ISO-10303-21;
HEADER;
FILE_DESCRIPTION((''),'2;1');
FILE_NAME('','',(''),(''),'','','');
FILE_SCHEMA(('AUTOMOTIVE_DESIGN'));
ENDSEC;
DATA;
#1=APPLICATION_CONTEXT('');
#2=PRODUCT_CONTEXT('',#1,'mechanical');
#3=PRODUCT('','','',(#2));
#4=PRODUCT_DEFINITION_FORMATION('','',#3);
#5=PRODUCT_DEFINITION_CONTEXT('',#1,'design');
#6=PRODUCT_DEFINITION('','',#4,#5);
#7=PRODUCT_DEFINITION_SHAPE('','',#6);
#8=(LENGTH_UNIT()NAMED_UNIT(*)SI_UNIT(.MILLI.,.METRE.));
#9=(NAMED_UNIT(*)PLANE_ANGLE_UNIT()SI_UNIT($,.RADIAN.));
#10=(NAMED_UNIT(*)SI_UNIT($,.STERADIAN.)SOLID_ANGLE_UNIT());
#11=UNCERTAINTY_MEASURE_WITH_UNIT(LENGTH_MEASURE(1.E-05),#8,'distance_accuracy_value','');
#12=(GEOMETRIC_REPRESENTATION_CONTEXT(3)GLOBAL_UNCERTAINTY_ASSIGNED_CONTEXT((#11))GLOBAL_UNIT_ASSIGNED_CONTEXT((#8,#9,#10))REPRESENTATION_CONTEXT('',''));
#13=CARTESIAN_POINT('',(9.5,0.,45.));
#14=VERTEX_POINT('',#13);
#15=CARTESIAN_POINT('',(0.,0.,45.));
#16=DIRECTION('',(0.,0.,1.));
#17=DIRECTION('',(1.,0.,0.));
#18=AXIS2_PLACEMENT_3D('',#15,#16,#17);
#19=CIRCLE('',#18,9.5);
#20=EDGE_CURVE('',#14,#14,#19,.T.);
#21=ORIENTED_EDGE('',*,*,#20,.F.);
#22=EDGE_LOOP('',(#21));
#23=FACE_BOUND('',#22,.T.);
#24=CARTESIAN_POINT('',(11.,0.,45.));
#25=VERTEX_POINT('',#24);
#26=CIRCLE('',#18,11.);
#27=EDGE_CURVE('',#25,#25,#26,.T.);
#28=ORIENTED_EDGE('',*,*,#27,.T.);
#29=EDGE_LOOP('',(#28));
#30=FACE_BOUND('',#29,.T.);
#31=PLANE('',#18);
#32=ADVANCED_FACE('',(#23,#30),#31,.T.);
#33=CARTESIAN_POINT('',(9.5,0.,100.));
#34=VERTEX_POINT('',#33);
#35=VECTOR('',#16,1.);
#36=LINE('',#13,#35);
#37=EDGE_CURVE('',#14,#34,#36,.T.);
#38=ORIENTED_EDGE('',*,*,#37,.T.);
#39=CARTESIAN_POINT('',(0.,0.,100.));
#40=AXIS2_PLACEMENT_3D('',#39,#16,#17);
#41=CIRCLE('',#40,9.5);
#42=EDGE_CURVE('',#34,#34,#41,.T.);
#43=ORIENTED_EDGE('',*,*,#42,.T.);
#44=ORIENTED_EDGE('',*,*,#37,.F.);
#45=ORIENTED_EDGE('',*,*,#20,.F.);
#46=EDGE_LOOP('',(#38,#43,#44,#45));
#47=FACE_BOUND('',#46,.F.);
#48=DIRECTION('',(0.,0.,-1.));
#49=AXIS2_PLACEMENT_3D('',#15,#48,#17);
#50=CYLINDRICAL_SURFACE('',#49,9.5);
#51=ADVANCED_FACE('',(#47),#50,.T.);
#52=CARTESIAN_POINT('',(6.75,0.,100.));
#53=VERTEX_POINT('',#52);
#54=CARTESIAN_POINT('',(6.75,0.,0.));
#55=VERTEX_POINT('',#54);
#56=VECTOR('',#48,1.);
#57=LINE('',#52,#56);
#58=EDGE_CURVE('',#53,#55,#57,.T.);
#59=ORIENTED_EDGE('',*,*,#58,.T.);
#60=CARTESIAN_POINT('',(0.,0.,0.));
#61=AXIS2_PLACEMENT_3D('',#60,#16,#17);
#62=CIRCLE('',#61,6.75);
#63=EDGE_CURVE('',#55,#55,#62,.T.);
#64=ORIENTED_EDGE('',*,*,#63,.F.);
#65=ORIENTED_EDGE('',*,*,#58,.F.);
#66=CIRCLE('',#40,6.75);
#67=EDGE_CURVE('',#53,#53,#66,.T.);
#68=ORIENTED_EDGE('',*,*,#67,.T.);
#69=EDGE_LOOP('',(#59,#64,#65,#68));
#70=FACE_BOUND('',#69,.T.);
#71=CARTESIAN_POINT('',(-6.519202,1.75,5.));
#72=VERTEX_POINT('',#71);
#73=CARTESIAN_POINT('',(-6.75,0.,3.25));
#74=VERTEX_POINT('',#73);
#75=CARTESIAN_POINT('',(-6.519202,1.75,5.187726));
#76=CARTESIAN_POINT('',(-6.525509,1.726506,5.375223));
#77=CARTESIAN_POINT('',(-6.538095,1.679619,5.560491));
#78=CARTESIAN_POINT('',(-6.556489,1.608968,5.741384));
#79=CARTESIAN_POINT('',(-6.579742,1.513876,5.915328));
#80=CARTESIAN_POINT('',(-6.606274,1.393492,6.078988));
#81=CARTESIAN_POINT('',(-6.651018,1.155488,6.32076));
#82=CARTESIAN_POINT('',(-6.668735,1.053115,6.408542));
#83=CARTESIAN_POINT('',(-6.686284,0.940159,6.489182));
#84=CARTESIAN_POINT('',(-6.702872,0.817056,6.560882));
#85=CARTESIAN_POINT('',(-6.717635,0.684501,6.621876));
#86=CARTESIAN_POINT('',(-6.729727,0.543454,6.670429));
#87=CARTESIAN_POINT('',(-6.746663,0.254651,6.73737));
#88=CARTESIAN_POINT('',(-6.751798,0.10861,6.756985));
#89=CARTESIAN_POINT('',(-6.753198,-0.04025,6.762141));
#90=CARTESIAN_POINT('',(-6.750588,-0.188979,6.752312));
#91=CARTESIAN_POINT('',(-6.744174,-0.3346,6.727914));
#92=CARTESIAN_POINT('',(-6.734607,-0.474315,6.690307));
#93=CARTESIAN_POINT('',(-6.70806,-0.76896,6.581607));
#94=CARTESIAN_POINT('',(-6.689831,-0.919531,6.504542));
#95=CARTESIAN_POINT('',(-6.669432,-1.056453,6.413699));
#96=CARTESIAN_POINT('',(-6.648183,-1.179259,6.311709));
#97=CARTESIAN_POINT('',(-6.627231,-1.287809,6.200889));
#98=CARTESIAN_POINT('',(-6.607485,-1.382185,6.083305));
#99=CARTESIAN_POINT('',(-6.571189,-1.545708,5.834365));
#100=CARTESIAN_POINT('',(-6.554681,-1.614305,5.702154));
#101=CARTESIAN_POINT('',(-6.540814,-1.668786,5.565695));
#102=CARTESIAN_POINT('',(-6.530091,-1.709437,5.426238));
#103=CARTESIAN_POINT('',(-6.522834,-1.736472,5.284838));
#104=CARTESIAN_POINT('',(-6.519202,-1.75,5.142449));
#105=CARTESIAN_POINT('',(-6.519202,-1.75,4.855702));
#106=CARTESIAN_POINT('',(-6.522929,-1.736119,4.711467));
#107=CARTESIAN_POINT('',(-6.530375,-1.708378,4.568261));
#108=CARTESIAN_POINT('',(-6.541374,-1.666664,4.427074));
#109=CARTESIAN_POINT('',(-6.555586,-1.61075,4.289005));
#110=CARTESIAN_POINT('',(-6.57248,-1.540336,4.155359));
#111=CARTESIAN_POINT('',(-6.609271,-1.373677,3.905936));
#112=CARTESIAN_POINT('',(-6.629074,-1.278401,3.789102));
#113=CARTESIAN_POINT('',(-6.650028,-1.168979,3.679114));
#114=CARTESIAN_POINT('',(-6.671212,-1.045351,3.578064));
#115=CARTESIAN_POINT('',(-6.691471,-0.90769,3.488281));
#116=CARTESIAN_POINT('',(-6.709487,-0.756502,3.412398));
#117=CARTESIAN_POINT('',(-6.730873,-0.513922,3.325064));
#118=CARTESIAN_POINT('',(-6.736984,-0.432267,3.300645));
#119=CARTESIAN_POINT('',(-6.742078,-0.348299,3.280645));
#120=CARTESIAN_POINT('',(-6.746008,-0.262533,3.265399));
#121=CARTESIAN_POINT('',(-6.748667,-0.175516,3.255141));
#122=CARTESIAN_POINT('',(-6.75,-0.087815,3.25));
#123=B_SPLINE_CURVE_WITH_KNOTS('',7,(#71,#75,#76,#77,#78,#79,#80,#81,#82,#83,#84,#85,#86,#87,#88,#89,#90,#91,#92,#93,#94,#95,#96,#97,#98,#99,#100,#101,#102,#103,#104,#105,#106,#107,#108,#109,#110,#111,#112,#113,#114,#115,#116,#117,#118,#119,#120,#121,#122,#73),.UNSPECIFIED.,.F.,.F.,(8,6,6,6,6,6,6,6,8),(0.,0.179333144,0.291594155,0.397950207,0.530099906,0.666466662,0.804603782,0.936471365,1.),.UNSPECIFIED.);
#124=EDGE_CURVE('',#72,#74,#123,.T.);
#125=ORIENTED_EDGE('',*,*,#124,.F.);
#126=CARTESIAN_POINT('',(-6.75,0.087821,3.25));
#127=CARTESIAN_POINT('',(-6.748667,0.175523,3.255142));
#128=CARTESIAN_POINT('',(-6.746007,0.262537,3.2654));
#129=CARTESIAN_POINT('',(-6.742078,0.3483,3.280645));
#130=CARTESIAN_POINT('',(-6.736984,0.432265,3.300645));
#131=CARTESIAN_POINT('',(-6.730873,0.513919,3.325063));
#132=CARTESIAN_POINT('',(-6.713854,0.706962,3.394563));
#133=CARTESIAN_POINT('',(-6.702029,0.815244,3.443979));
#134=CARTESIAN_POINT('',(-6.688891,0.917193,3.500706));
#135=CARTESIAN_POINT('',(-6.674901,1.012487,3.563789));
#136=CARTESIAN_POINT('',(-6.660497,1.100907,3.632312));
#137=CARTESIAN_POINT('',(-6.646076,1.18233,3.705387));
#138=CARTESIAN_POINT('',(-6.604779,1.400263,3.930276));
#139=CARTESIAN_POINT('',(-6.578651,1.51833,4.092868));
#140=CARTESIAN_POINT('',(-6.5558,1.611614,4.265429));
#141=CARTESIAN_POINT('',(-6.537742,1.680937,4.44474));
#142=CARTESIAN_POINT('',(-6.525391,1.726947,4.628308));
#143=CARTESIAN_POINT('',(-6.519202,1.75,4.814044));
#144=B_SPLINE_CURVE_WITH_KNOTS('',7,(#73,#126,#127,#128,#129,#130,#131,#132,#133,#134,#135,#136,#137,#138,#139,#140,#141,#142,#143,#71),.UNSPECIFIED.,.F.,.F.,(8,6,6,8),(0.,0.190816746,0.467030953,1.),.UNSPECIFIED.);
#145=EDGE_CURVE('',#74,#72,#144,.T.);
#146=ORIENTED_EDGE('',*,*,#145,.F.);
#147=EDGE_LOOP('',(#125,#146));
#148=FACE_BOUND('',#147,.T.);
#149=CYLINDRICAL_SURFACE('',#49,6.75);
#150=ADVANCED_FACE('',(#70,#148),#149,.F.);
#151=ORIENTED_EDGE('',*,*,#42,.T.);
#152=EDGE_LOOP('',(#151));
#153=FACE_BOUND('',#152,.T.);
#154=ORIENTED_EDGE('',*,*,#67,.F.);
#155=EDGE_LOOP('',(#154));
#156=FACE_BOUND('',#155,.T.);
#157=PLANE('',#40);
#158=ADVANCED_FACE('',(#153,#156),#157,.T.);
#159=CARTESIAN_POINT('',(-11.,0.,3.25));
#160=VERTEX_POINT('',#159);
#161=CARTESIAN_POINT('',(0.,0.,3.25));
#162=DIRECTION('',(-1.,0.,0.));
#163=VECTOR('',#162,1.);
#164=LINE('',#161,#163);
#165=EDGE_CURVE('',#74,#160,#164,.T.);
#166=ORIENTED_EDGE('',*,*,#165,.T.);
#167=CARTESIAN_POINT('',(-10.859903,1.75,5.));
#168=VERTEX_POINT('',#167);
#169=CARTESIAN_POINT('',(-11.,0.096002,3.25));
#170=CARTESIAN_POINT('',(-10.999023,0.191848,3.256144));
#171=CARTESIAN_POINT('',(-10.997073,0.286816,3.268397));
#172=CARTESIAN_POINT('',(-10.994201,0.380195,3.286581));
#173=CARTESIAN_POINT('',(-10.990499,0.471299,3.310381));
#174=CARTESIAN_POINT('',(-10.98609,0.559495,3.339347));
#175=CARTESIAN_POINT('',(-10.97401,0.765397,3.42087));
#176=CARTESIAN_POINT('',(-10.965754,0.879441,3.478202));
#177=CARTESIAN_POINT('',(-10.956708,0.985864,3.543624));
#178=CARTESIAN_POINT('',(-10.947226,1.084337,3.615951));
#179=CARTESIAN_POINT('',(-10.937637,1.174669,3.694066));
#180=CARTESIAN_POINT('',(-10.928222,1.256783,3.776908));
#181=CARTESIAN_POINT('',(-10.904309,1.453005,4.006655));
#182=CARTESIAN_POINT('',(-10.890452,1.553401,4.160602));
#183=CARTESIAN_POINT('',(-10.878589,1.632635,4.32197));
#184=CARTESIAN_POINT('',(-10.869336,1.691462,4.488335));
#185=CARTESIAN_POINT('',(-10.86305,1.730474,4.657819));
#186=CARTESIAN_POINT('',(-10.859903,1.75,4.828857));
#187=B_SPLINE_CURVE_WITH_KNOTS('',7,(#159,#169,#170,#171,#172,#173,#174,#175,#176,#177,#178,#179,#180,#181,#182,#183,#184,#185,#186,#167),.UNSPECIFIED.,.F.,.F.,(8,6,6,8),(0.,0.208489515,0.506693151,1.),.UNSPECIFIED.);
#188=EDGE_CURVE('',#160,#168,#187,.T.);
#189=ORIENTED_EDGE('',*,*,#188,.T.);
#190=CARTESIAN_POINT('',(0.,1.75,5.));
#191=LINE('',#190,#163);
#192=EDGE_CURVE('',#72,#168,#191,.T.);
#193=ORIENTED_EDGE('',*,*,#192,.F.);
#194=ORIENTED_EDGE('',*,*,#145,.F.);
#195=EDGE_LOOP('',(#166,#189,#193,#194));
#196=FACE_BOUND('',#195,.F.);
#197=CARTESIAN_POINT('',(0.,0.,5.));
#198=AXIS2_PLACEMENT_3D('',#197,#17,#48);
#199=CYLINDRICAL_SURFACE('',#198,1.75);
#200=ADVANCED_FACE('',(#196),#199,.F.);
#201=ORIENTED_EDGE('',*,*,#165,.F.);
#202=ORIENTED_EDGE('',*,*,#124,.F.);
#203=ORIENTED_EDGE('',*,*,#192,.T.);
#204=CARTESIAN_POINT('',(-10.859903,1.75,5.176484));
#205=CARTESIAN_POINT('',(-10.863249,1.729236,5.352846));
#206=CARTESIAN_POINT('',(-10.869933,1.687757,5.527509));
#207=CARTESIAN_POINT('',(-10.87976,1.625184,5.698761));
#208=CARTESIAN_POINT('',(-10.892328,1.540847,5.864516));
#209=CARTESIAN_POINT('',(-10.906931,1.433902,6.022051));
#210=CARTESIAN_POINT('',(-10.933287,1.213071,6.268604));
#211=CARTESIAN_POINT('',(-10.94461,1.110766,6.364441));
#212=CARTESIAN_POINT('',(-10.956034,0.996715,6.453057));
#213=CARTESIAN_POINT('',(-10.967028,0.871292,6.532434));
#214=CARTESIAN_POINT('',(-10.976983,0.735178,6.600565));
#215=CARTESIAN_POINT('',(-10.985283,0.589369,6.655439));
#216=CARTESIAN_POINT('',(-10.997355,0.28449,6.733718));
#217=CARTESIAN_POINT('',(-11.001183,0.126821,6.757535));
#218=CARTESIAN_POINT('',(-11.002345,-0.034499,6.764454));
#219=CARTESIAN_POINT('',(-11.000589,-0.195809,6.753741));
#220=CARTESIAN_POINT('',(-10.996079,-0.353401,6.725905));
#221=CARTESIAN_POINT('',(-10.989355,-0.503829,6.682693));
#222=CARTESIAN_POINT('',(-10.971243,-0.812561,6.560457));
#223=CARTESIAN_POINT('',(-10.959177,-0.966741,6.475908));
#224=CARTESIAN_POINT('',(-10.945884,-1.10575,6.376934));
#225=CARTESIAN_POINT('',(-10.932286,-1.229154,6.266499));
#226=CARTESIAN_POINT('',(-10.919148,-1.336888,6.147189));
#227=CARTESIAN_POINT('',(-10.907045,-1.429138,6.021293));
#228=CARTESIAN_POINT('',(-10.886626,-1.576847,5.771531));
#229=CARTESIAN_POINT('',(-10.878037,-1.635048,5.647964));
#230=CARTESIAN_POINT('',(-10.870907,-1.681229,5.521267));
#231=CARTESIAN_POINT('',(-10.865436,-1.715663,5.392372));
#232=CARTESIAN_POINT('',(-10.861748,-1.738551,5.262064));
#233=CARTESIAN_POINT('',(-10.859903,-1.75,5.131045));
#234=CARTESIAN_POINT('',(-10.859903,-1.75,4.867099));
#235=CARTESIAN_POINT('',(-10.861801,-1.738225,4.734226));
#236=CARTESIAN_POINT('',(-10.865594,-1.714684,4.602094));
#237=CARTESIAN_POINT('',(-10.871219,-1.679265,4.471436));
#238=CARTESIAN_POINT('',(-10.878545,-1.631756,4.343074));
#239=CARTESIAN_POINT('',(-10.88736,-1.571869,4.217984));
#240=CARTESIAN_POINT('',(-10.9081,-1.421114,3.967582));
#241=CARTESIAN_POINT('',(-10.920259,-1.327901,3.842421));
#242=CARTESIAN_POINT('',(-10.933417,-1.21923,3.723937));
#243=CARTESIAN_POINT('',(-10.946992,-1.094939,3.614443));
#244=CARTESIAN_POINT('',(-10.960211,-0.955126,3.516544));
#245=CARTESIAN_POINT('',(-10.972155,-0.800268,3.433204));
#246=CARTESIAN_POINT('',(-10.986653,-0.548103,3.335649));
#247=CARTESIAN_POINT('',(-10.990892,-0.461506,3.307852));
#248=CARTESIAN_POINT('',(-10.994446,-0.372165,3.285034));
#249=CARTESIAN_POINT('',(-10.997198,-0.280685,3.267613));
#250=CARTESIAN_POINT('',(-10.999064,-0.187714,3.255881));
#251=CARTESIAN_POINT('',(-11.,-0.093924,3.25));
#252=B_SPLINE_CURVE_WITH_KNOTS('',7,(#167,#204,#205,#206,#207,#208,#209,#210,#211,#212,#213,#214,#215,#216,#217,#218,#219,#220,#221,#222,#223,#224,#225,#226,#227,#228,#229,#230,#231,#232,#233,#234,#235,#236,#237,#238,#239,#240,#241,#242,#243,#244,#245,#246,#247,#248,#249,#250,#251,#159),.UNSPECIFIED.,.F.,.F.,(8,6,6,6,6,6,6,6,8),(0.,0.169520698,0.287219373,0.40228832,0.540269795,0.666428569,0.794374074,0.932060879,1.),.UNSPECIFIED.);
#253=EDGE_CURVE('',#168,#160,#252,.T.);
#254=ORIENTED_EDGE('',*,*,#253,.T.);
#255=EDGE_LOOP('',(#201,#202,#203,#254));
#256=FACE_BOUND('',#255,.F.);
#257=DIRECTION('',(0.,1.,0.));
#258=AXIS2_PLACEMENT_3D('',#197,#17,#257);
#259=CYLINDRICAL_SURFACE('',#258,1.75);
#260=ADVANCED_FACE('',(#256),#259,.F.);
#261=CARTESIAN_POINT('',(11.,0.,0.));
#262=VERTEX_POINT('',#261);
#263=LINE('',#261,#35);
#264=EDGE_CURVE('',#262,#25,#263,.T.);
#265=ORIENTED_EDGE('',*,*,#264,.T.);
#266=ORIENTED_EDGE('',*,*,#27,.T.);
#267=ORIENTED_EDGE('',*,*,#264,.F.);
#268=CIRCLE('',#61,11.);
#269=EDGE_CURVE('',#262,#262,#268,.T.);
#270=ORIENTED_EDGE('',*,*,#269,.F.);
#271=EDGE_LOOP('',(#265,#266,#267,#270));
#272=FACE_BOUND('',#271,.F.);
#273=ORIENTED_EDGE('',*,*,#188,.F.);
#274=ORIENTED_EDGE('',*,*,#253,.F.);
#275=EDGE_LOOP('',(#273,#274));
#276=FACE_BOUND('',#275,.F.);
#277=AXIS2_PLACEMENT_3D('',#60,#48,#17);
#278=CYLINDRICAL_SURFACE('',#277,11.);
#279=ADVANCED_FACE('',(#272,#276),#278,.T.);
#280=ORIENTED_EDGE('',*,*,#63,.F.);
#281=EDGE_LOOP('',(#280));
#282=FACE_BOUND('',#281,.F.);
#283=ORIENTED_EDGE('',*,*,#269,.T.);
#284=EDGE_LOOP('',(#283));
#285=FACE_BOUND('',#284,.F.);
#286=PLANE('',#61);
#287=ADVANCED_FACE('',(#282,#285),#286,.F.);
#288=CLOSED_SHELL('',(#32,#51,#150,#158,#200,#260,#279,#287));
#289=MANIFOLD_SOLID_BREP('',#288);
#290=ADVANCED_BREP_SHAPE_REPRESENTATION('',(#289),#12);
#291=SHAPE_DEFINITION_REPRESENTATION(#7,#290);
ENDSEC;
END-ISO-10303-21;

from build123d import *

# Parameters (mm, degrees)
F0_R     = 11
F0_R_2   = 6.75
F1_DEPTH = 45
F2_R     = 9.5
F2_R_2   = 6.75
F3_DEPTH = 55
F5_DEPTH = 12.0000001


with BuildPart() as f1:
    # F0 (on Top) → F1 (new body)
    with BuildSketch(Plane.XY):
        Circle(F0_R)
        Circle(F0_R_2, mode=Mode.SUBTRACT)
    extrude(amount=F1_DEPTH)

    # F2 (on face) → F3 (join)
    with BuildSketch(Plane.XY.offset(45)):
        Circle(F2_R)
        Circle(F2_R_2, mode=Mode.SUBTRACT)
    extrude(amount=F3_DEPTH)

    # F4 (on Right) → F5 (cut, up to face)
    with BuildSketch(Plane.YZ):
        with BuildLine():
            ThreePointArc((0, 3.25), (1.2374368671, 3.7625631329), (1.75, 5))
            ThreePointArc((1.75, 5), (-1.2374368671, 6.2374368671), (0, 3.25))
        make_face()
    extrude(amount=-F5_DEPTH, mode=Mode.SUBTRACT)


solid = f1.part
